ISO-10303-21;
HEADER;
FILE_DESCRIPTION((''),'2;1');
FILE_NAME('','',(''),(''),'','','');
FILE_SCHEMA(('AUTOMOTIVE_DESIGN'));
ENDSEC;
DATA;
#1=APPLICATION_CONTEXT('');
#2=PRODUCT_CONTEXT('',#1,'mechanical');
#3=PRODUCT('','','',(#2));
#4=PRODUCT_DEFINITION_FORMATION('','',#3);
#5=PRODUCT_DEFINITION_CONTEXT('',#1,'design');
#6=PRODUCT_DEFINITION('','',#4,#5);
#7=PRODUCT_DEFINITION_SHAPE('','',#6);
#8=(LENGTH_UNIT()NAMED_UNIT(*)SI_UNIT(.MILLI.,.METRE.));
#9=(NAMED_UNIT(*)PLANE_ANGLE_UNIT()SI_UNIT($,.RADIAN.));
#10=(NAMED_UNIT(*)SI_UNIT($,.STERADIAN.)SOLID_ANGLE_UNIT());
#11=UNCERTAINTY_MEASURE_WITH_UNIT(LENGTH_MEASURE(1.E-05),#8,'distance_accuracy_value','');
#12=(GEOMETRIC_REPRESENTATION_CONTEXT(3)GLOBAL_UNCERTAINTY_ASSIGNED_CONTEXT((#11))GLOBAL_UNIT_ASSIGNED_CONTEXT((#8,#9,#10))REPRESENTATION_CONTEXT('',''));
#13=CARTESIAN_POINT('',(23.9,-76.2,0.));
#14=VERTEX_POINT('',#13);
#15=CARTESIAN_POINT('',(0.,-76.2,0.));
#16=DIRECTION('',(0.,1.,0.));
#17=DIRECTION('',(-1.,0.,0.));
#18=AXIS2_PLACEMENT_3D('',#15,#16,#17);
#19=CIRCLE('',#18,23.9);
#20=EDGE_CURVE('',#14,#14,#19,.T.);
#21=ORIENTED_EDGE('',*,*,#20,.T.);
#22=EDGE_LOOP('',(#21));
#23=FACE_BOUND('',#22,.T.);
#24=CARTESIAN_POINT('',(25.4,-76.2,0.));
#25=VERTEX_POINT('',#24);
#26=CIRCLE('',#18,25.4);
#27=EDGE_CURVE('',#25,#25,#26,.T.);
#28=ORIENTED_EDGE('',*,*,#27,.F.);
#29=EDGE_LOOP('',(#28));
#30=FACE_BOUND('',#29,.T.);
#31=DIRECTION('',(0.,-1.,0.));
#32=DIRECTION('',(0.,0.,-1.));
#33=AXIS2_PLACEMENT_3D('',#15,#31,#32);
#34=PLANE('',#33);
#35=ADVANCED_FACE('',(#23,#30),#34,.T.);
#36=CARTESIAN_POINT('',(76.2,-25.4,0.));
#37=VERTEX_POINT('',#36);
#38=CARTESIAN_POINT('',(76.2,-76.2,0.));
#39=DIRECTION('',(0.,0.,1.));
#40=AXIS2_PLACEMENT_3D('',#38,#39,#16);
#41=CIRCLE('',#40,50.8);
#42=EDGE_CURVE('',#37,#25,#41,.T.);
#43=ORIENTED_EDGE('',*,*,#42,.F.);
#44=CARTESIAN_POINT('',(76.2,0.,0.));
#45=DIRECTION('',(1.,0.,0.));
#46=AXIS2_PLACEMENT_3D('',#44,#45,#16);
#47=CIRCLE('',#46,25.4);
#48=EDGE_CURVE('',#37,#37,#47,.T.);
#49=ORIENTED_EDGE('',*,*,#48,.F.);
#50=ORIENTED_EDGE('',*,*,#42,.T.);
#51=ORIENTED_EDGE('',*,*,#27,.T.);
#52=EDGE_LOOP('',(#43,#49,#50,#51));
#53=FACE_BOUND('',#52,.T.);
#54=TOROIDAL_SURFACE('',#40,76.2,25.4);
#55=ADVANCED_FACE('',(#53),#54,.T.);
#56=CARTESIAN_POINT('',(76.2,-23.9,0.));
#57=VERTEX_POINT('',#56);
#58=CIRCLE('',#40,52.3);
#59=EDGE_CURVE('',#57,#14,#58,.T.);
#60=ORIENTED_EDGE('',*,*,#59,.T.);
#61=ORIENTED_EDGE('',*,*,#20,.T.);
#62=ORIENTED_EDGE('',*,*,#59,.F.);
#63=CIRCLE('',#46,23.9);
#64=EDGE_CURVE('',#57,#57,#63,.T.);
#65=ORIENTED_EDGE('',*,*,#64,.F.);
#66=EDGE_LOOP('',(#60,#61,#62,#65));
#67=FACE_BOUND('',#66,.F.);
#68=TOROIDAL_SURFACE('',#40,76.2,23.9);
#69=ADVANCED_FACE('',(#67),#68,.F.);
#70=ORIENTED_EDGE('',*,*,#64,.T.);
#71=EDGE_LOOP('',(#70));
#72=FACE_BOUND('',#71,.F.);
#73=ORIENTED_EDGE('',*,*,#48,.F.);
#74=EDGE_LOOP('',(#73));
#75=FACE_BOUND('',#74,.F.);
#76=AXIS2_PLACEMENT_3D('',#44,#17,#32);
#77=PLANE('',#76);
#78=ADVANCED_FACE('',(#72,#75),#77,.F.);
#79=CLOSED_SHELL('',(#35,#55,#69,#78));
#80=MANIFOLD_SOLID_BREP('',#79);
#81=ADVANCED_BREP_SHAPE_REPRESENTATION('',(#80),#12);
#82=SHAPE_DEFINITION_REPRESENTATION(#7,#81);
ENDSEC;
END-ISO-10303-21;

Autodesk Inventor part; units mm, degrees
ref_plane "YZ Plane" through (0, 0, 0) normal (1, 0, 0) x (0, 1, 0)
ref_plane "XZ Plane" through (0, 0, 0) normal (0, 1, 0) x (-1, 0, 0)
sketch "Szkic6" plane through (0, 0, 0) normal (0, 0, 1) x (1, 0, 0)
  line L0 (-29.6067, 0) -> (35.2678, 0) construction
  line L1 (0, 42.3419) -> (0, -58.3726) construction
  arc A0 (76.2, 0) -> (0, -76.2) centre (76.2, -76.2) ccw
  line L2 (0, -76.2) -> (76.2, -76.2) construction
  line L3 (76.2, -76.2) -> (76.2, -10.6669) construction
  line L4 (76.2, 0) -> (76.2, 0)
  line L5 (0, -76.2) -> (0, -76.2)
  point P0 (0, 0)
  dimension "d24" = 76.2
  dimension "d31" = 90
  dimension "d36" = 0
  dimension "d37" = 0
ref_plane "Płaszczyzna konstrukcyjna2" through (0, -76.2, 0) normal (0, -1, 0) x (1, 0, 0)
sketch "Szkic8" plane through (0, -76.2, 0) normal (0, -1, 0) x (1, 0, 0)
  circle A0 centre (0, 0) radius 25.4
  circle A1 centre (0, 0) radius 23.9
  dimension "d32" = 50.8
  dimension "d33" = 1.5
sweep "Przeciągnięcie2" add profiles "Szkic8" path "Szkic6"
equation "\"d32\" = OD"
equation "\"d33\" = THK"
equation "\"d24\" = R"
equation "\"d31\" = KAT"
equation "\"SzerokośćGięciaPodcięcia\" = Grubość"
equation "\"RozmiarPodcięciaNarożnika\" = 4 * Grubość"
equation "\"PromieńPrzejścia\" = PromieńGięcia"
equation "\"Rozmiar_promienia_Jacobiego\" = PromieńGięcia"
equation "\"Wielk_odstępu\" = Grubość"
equation "\"d2\" = PromieńGięcia"
equation "\"d23\" = PromieńGięcia"
equation "\"R\" = 76.2"
equation "\"OD\" = 50.8"
equation "\"THK\" = 1.5"
equation "\"KAT\" = 90deg"
equation "\"PROSTKA\" = 0"
equation "\"Grubość\" = 1.5"
equation "\"PromieńGięcia\" = 3"
properties part number "Kolano 90° ø50,8x1,5 R76,2" material "304L"
